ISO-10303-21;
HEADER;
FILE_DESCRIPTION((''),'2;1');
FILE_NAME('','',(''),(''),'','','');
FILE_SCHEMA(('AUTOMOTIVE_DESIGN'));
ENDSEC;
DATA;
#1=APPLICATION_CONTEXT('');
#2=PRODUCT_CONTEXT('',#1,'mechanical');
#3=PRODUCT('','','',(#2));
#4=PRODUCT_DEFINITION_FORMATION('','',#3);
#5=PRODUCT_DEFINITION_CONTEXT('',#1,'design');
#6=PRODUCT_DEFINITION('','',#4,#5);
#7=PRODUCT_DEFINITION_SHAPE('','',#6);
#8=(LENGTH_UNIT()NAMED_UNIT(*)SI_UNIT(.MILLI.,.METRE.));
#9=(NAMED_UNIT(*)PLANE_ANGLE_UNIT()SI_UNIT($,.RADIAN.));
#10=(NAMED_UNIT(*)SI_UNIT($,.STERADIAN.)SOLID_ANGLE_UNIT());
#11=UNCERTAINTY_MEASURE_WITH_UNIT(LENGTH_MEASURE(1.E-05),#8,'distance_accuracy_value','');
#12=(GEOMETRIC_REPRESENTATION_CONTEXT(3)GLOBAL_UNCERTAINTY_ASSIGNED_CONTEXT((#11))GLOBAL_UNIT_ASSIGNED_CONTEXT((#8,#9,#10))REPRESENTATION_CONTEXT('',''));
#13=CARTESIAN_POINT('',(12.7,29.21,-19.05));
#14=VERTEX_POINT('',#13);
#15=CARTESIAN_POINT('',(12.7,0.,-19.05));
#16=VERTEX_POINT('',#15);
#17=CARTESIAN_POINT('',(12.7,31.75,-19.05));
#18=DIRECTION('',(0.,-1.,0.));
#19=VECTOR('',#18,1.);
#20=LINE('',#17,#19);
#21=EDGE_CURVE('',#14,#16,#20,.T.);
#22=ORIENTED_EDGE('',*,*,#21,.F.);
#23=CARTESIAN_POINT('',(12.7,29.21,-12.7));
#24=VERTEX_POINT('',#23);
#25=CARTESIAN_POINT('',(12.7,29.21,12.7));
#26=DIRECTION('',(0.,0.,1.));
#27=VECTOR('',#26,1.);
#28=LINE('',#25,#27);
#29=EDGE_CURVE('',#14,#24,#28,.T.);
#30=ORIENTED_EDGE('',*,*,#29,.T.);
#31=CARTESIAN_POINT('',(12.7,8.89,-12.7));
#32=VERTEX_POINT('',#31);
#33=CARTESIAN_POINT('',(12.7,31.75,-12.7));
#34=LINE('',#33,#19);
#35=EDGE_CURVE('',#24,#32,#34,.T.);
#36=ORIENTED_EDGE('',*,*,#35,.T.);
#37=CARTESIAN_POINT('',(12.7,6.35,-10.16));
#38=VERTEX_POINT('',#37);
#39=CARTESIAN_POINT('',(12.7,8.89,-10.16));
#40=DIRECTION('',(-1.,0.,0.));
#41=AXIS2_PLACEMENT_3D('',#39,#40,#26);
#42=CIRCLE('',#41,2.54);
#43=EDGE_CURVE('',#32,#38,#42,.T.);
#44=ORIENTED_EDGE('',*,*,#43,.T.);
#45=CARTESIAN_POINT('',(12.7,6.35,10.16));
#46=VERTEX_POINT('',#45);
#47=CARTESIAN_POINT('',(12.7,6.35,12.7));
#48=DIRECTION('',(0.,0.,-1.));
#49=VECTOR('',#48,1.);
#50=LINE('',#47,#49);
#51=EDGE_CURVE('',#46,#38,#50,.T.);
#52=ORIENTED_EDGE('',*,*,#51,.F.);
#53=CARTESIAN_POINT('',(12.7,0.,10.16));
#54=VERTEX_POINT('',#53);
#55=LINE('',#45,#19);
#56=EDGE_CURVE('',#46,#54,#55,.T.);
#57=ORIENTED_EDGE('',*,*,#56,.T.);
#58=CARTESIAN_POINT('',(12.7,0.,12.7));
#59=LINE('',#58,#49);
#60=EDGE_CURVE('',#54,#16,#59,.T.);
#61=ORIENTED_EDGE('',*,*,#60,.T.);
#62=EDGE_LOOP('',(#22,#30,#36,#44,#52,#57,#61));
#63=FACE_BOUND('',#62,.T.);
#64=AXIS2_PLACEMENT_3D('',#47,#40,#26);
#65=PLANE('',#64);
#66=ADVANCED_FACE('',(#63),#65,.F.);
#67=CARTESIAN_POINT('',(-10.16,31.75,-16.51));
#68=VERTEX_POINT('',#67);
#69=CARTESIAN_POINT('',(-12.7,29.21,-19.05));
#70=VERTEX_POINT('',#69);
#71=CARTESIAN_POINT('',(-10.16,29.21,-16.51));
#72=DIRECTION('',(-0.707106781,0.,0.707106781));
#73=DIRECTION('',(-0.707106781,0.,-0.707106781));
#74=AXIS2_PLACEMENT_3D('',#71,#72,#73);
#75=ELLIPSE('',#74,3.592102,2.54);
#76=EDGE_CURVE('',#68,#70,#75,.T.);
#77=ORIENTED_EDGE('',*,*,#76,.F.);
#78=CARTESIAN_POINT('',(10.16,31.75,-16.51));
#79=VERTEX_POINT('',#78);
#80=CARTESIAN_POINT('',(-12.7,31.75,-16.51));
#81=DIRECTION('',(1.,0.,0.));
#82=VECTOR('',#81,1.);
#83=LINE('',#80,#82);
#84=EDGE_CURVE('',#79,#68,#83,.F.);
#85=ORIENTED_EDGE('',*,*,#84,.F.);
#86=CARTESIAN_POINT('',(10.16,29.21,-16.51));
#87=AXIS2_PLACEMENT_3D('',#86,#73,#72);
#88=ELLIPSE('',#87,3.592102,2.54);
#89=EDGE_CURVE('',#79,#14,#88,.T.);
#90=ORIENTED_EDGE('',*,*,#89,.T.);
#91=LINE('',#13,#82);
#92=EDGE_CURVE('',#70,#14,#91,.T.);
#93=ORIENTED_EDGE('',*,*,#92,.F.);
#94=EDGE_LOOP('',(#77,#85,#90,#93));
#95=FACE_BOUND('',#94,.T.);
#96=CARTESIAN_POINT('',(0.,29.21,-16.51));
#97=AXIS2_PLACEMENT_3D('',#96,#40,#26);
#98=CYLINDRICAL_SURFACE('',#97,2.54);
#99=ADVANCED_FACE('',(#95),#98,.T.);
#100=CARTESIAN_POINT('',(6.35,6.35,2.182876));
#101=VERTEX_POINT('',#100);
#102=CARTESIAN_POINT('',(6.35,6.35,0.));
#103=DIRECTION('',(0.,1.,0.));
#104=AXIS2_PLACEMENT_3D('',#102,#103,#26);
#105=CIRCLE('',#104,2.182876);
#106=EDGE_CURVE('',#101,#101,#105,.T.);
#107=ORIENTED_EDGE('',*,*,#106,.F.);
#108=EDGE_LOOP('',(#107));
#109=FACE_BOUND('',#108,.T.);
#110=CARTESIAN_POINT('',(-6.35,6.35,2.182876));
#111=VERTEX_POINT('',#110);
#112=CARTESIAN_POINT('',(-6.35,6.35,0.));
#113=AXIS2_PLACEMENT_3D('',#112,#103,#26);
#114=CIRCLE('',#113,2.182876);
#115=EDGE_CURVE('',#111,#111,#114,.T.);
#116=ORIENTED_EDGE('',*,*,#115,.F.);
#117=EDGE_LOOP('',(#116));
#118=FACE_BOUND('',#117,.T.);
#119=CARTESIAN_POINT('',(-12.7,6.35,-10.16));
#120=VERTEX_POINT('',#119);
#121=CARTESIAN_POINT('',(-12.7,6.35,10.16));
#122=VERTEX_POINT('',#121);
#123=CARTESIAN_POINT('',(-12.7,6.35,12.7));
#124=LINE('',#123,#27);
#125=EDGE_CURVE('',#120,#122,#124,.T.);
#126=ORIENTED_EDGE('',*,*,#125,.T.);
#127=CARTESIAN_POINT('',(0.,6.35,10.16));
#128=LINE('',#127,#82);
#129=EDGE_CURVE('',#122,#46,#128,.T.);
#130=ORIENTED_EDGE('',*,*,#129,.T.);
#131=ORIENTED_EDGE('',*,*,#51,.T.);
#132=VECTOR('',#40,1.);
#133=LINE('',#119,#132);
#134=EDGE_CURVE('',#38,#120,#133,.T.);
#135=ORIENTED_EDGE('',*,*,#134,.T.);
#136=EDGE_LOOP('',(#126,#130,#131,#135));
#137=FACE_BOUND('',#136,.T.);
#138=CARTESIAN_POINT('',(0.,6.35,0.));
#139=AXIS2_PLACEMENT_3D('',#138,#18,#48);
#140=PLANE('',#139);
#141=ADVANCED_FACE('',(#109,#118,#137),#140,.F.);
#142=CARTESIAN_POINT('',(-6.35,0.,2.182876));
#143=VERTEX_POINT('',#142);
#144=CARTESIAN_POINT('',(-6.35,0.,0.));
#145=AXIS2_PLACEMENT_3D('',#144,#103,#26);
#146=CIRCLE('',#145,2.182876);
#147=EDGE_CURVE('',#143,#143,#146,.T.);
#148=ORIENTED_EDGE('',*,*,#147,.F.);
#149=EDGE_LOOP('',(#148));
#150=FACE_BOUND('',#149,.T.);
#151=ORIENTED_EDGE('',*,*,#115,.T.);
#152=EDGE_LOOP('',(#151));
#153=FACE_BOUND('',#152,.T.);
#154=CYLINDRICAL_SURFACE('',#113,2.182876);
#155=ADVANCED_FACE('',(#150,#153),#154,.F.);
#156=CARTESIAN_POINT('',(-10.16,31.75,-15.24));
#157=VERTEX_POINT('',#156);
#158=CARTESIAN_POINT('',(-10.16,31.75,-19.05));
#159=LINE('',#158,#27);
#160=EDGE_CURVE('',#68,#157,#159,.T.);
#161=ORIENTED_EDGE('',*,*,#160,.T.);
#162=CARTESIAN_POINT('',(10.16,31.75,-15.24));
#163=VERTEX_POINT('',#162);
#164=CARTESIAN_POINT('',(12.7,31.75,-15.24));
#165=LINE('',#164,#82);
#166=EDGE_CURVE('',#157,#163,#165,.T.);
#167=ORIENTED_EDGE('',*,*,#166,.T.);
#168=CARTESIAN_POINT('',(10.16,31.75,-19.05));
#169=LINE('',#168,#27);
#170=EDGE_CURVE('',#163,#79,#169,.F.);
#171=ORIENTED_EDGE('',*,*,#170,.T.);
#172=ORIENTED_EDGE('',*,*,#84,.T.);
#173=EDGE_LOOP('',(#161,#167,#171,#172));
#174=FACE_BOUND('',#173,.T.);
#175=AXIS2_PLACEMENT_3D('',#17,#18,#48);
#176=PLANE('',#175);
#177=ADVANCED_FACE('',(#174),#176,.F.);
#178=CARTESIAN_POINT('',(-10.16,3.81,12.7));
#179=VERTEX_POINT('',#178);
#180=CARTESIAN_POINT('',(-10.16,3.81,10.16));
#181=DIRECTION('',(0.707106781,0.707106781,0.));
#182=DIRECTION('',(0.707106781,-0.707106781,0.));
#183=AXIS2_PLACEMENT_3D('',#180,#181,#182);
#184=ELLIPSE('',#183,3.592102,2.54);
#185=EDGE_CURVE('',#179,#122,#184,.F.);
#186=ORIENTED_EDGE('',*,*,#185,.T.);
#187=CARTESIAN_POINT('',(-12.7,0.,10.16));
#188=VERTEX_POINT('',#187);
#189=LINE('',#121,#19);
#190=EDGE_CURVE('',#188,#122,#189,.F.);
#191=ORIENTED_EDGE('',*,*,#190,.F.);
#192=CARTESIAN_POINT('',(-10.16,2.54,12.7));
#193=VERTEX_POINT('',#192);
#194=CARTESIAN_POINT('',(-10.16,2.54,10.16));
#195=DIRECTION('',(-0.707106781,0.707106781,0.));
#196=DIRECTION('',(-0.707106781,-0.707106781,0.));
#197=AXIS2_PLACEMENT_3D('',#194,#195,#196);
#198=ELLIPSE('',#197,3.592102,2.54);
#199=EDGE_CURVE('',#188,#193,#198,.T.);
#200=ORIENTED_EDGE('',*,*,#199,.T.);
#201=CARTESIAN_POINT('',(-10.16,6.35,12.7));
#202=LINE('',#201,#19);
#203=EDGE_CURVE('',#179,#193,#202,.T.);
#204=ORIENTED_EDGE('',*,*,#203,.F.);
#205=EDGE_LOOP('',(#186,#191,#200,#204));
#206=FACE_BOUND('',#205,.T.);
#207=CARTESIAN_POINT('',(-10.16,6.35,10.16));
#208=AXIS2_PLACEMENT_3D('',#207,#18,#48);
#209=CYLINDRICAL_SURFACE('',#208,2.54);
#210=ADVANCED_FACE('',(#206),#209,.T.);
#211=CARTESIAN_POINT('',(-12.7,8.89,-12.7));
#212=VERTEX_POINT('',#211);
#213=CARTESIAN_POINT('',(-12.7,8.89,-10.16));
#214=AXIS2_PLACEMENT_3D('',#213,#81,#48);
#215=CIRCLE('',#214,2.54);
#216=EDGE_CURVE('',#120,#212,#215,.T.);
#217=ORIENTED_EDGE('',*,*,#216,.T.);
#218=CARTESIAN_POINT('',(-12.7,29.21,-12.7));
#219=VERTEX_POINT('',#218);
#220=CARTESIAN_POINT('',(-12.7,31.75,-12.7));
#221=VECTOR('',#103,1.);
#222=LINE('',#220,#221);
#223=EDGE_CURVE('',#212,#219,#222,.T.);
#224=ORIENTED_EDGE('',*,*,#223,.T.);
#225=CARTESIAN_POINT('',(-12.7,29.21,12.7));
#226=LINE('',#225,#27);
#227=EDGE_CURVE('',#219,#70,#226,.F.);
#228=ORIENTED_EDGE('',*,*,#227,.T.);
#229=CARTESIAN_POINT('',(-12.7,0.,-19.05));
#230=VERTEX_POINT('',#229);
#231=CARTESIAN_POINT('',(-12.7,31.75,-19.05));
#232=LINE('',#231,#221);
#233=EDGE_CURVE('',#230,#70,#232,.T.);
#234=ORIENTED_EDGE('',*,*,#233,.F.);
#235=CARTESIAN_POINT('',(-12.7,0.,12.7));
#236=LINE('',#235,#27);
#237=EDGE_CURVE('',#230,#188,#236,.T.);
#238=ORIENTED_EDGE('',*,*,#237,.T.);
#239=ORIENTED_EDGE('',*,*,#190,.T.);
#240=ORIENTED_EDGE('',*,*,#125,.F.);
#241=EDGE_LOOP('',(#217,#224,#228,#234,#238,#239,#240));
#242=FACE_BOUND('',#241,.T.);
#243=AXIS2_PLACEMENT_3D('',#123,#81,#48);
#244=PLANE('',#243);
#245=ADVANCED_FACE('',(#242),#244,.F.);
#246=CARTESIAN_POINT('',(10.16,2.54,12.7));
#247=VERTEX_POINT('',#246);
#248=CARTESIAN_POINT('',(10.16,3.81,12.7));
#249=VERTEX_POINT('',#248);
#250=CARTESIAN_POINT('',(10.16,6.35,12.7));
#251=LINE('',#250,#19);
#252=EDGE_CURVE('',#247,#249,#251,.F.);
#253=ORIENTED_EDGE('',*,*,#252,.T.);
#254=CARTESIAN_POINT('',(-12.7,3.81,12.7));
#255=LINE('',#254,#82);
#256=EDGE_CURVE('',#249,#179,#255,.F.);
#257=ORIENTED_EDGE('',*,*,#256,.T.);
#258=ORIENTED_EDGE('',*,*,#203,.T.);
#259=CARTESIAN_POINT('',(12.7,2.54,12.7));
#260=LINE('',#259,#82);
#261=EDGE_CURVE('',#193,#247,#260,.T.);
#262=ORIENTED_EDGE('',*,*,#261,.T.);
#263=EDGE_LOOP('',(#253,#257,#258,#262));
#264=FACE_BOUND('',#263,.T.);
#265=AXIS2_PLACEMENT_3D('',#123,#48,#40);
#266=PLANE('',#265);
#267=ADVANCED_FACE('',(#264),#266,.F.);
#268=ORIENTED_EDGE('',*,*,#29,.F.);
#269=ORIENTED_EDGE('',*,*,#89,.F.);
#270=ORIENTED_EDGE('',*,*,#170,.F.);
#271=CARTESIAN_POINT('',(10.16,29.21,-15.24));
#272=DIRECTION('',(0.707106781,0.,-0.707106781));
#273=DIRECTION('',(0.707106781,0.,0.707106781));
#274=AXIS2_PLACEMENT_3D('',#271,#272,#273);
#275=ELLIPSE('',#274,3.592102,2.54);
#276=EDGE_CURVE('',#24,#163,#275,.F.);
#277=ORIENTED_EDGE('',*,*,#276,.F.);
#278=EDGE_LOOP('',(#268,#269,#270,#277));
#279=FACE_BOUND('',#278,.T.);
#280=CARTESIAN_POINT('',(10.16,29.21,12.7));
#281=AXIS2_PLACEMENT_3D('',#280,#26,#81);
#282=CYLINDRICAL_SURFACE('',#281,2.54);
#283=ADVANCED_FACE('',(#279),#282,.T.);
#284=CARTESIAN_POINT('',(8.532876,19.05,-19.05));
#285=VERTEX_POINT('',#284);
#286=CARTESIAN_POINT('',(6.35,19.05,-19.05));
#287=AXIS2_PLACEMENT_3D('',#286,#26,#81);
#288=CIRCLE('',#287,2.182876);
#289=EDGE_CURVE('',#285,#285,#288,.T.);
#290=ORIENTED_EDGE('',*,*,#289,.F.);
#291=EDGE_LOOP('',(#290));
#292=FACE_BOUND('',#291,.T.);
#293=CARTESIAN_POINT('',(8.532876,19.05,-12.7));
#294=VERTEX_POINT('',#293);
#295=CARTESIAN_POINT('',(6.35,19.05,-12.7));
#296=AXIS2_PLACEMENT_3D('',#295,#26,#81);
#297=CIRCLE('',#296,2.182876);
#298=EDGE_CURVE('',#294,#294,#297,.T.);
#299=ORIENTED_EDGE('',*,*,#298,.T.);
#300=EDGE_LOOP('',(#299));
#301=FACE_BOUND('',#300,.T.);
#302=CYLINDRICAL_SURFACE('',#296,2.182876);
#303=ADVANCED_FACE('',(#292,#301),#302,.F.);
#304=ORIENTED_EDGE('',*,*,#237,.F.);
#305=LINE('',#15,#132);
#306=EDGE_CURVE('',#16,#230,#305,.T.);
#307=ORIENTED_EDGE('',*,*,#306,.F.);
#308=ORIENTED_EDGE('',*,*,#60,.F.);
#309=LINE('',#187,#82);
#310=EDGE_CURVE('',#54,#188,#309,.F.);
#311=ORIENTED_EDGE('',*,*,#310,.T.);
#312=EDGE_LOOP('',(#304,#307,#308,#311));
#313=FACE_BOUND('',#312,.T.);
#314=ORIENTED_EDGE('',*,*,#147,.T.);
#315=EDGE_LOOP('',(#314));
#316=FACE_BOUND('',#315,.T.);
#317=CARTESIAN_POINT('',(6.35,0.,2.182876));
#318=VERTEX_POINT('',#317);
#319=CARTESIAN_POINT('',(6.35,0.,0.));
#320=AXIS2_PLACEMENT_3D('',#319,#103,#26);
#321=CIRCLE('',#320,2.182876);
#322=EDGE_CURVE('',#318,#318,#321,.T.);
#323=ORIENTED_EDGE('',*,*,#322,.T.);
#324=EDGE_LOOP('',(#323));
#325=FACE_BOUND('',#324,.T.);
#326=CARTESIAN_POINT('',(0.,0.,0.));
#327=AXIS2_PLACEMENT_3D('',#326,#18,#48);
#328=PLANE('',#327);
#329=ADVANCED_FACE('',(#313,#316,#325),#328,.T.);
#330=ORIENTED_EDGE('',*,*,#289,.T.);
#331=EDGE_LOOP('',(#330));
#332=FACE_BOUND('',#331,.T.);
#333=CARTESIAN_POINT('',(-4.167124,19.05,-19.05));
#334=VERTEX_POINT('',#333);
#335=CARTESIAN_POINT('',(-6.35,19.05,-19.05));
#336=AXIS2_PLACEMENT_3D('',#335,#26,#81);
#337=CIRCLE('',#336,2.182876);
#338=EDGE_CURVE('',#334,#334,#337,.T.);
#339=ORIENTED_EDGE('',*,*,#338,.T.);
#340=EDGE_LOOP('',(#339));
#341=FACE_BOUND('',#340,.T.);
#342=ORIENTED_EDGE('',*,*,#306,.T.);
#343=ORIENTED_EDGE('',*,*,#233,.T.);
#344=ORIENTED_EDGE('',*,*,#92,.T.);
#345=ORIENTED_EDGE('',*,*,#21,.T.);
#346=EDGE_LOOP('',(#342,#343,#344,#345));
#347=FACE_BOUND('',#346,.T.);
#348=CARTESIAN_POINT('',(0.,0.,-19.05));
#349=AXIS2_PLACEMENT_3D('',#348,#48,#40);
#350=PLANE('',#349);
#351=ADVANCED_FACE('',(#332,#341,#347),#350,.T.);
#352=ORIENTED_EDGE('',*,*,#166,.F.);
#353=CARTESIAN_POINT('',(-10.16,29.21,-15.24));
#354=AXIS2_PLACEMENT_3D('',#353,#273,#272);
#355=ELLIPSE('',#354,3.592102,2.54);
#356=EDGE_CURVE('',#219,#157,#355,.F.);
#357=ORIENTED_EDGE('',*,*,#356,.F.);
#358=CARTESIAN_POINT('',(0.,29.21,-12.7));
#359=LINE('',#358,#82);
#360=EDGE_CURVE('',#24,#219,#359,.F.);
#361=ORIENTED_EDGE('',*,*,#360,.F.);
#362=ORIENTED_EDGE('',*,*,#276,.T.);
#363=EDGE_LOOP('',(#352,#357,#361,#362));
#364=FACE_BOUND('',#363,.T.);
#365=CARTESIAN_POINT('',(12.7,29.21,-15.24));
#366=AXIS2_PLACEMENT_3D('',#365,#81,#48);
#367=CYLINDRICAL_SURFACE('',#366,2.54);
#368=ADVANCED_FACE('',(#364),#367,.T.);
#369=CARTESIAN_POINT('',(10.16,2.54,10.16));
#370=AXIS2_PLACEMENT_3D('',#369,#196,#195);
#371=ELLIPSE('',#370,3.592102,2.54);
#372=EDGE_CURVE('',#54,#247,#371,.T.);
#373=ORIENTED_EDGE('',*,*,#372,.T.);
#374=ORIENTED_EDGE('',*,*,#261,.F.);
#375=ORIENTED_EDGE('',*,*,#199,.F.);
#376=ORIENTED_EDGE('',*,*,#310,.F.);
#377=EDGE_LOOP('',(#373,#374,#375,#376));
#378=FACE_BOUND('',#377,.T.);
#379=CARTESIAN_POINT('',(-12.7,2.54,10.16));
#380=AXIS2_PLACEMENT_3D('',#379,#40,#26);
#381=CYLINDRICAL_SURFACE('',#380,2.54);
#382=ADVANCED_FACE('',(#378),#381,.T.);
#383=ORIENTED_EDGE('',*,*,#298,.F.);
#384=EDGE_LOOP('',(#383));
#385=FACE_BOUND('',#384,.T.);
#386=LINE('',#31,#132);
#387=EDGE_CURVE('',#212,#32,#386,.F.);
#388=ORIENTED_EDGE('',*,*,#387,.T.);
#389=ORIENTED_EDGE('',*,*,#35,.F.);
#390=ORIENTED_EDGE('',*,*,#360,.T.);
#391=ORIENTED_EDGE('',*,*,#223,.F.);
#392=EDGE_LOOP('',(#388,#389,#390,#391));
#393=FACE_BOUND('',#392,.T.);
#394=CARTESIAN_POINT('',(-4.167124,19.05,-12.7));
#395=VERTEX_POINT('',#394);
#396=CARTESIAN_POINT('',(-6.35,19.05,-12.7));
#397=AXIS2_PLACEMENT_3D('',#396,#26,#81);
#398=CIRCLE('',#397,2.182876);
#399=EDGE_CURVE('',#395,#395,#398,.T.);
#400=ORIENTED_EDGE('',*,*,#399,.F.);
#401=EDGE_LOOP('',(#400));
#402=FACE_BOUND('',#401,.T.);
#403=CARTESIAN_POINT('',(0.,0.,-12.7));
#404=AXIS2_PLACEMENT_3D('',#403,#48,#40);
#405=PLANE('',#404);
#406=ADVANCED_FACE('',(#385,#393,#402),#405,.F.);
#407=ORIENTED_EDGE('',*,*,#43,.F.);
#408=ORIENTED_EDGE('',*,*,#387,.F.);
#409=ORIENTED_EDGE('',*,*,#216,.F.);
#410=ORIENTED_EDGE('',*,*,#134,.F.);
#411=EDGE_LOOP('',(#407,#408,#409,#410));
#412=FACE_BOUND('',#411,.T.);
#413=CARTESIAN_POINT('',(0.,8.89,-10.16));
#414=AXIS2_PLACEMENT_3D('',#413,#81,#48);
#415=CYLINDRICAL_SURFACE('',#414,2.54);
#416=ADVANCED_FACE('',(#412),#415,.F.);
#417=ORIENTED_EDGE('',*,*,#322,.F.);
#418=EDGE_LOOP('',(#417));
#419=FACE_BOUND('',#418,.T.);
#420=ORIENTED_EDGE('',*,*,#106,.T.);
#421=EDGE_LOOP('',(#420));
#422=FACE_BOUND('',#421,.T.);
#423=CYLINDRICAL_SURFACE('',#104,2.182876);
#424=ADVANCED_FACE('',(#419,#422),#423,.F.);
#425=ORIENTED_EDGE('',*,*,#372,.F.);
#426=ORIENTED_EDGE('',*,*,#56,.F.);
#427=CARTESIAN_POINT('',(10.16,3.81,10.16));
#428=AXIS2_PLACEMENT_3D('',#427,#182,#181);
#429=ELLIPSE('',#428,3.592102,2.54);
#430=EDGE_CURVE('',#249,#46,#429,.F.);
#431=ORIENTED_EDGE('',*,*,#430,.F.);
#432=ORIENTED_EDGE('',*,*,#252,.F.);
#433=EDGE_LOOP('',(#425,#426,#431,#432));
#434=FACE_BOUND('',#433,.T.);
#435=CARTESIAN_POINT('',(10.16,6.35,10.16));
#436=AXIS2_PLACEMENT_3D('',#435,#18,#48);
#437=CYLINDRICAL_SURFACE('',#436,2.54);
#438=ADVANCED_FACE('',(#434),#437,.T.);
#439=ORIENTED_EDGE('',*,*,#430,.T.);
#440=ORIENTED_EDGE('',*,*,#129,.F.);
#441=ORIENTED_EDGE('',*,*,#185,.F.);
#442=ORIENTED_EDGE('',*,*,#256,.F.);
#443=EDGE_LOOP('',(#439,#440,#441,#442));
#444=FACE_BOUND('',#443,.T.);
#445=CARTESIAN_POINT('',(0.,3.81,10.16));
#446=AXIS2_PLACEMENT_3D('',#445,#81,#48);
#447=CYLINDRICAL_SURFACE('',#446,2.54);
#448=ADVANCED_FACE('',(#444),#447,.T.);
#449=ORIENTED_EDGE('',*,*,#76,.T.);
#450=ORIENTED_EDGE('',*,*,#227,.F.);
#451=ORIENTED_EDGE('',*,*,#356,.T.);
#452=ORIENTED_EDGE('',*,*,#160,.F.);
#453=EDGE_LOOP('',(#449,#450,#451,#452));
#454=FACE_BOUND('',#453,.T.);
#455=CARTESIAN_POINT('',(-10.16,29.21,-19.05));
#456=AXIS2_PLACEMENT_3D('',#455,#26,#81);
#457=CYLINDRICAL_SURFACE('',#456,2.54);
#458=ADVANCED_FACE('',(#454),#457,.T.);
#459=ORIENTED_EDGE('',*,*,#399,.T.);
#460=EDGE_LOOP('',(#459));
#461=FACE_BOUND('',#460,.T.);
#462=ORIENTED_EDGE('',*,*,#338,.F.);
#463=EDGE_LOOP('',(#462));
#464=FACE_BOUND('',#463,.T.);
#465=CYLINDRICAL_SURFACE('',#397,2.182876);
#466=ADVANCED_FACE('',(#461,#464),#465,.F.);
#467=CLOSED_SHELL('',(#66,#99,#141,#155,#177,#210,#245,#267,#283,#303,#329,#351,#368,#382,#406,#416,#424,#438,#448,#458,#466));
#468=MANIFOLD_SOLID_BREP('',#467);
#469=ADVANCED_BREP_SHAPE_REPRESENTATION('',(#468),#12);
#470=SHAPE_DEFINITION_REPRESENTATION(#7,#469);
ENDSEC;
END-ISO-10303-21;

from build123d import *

# Parameters (mm, degrees)
SKETCH1_W                        = 25.4
SKETCH1_H                        = 25.4
BOSS_EXTRUDE1_DEPTH              = 6.35
SKETCH2_W                        = 25.4
SKETCH2_H                        = 31.75
BOSS_EXTRUDE2_DEPTH              = 6.35
FILLET1_R                        = 2.54
F_11_64_0_17188_DIAMETER_HOLE1_D = 4.365752
F_11_64_0_17188_DIAMETER_HOLE2_D = 4.365752


with BuildPart() as part:
    # Sketch1 → Boss-Extrude1 (new body)
    with BuildSketch(Plane(origin=(0, 0, 0), x_dir=(1, 0, 0), z_dir=(0, 1, 0))):
        Rectangle(SKETCH1_W, SKETCH1_H)
    extrude(amount=BOSS_EXTRUDE1_DEPTH)

    # Sketch2 → Boss-Extrude2 (add)
    with BuildSketch(Plane(origin=(0, 0, -12.7), x_dir=(-1, 0, 0), z_dir=(0, 0, -1))):
        with Locations((0, 15.875)):
            Rectangle(SKETCH2_W, SKETCH2_H)
    extrude(amount=BOSS_EXTRUDE2_DEPTH)

    # Fillet1
    fillet1_edges = [part.edges().sort_by_distance(p)[0] for p in [
        (0, 31.75, -12.7),
        (-12.7, 31.75, -15.875),
        (12.7, 31.75, -15.875),
        (0, 6.35, 12.7),
        (0, 31.75, -19.05),
        (0, 0, 12.7),
        (12.7, 3.175, 12.7),
        (-12.7, 3.175, 12.7),
        (0, 6.35, -12.7),
    ]]
    fillet(fillet1_edges, radius=FILLET1_R)

    # 11/64 (0.17188) Diameter Hole1 (through all)
    with Locations(Plane(origin=(0, 6.35, 0), x_dir=(1, 0, 0), z_dir=(0, 1, 0))):
        with Locations((-6.35, 0), (6.35, 0)):
            Hole(F_11_64_0_17188_DIAMETER_HOLE1_D / 2)

    # 11/64 (0.17188) Diameter Hole2 (through all)
    with Locations(Plane.XY.offset(-12.7)):
        with Locations((6.35, 19.05), (-6.35, 19.05)):
            Hole(F_11_64_0_17188_DIAMETER_HOLE2_D / 2)


solid = part.part
